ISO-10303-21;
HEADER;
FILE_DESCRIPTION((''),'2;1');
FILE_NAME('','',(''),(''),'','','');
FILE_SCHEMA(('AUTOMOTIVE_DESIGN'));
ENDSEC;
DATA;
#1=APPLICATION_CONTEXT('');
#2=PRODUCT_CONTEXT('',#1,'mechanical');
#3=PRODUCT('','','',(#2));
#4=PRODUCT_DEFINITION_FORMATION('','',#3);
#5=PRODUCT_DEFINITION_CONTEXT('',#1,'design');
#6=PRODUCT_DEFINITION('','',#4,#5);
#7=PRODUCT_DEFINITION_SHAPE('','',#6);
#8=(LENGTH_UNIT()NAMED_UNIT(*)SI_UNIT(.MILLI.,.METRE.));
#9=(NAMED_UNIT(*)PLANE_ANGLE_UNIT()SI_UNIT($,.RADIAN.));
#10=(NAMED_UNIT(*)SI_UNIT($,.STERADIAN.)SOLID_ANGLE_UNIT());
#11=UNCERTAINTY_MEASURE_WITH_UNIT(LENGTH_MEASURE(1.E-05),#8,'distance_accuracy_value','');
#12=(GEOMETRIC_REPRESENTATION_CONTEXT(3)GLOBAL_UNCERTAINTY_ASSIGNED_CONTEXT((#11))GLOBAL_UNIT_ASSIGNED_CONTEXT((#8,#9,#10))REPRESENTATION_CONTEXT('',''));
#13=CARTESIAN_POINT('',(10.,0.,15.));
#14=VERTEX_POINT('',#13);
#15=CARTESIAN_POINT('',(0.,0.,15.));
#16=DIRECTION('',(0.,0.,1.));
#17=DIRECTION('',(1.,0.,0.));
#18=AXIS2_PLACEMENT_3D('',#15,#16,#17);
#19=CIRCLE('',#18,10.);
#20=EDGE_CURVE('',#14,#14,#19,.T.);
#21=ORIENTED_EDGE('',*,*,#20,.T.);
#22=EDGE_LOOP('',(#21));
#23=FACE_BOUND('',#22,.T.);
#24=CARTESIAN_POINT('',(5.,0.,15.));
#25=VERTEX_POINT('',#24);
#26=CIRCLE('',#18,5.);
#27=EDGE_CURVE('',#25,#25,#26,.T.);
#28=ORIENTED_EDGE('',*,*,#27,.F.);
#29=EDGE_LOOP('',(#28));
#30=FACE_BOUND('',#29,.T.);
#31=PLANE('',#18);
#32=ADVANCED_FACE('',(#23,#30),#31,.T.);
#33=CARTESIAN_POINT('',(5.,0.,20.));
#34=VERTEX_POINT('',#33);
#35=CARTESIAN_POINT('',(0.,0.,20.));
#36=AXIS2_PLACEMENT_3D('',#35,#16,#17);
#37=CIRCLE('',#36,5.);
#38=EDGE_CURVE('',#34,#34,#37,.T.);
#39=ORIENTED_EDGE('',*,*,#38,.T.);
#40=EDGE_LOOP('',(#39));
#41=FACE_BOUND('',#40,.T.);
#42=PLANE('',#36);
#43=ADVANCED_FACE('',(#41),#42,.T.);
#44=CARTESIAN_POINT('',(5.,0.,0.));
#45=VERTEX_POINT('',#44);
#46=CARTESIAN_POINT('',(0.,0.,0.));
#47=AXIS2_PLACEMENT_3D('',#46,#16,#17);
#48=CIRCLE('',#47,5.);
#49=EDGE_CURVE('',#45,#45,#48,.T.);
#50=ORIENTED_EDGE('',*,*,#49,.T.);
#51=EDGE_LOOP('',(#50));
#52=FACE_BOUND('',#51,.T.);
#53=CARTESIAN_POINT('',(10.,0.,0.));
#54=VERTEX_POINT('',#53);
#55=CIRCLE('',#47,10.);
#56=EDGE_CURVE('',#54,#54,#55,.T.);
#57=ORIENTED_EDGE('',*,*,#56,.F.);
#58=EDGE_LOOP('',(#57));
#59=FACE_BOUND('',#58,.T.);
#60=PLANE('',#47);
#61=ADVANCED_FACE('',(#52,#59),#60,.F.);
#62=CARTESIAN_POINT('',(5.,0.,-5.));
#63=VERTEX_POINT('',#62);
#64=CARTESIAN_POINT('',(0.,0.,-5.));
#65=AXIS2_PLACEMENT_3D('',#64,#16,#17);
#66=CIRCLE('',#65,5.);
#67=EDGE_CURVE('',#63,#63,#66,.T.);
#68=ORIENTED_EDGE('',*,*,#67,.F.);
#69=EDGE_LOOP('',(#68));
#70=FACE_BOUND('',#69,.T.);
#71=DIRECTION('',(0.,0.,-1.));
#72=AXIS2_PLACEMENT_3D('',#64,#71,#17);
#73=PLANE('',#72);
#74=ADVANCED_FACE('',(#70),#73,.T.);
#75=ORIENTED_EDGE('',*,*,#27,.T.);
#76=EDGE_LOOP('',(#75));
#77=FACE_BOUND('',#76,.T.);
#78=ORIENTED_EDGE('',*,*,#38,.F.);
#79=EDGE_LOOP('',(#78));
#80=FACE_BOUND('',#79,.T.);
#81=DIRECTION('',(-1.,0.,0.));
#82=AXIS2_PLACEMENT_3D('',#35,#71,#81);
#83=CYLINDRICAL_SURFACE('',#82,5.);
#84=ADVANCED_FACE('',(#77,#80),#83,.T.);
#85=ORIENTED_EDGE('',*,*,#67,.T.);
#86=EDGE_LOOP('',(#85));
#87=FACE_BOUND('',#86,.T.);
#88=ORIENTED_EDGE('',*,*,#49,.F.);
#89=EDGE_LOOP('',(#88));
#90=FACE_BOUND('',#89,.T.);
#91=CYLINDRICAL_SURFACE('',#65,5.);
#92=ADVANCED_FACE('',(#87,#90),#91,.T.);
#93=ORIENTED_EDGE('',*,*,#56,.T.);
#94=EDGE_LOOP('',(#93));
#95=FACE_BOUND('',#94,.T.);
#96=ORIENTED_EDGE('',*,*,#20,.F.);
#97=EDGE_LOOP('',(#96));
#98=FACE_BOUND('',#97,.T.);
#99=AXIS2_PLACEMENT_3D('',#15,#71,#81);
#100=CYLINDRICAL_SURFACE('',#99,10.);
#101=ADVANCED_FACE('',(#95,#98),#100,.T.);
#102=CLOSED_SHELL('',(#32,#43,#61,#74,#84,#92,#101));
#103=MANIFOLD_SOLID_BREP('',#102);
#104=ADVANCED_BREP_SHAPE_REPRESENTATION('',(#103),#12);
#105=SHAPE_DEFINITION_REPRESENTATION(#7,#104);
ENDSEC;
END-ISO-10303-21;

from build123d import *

# Parameters (mm, degrees)
SKETCH_1_R      = 10
EXTRUDE_1_DEPTH = 15
SKETCH_2_R      = 5
EXTRUDE_2_DEPTH = 5


with BuildPart() as part:
    # 스케치1 → 보스-돌출1 (new body)
    with BuildSketch(Plane.XY):
        Circle(SKETCH_1_R)
    extrude(amount=EXTRUDE_1_DEPTH)

    # 스케치2 → 보스-돌출2 (add)
    with BuildSketch(Plane.XY.offset(15)):
        Circle(SKETCH_2_R)
    extrude_2 = extrude(amount=EXTRUDE_2_DEPTH)

    # 대칭 복사1: 보스-돌출2 across plane
    add(extrude_2.mirror(Plane(origin=(0, 0, 7.5), x_dir=(1, 0, 0), z_dir=(0, 0, -1))))


solid = part.part
